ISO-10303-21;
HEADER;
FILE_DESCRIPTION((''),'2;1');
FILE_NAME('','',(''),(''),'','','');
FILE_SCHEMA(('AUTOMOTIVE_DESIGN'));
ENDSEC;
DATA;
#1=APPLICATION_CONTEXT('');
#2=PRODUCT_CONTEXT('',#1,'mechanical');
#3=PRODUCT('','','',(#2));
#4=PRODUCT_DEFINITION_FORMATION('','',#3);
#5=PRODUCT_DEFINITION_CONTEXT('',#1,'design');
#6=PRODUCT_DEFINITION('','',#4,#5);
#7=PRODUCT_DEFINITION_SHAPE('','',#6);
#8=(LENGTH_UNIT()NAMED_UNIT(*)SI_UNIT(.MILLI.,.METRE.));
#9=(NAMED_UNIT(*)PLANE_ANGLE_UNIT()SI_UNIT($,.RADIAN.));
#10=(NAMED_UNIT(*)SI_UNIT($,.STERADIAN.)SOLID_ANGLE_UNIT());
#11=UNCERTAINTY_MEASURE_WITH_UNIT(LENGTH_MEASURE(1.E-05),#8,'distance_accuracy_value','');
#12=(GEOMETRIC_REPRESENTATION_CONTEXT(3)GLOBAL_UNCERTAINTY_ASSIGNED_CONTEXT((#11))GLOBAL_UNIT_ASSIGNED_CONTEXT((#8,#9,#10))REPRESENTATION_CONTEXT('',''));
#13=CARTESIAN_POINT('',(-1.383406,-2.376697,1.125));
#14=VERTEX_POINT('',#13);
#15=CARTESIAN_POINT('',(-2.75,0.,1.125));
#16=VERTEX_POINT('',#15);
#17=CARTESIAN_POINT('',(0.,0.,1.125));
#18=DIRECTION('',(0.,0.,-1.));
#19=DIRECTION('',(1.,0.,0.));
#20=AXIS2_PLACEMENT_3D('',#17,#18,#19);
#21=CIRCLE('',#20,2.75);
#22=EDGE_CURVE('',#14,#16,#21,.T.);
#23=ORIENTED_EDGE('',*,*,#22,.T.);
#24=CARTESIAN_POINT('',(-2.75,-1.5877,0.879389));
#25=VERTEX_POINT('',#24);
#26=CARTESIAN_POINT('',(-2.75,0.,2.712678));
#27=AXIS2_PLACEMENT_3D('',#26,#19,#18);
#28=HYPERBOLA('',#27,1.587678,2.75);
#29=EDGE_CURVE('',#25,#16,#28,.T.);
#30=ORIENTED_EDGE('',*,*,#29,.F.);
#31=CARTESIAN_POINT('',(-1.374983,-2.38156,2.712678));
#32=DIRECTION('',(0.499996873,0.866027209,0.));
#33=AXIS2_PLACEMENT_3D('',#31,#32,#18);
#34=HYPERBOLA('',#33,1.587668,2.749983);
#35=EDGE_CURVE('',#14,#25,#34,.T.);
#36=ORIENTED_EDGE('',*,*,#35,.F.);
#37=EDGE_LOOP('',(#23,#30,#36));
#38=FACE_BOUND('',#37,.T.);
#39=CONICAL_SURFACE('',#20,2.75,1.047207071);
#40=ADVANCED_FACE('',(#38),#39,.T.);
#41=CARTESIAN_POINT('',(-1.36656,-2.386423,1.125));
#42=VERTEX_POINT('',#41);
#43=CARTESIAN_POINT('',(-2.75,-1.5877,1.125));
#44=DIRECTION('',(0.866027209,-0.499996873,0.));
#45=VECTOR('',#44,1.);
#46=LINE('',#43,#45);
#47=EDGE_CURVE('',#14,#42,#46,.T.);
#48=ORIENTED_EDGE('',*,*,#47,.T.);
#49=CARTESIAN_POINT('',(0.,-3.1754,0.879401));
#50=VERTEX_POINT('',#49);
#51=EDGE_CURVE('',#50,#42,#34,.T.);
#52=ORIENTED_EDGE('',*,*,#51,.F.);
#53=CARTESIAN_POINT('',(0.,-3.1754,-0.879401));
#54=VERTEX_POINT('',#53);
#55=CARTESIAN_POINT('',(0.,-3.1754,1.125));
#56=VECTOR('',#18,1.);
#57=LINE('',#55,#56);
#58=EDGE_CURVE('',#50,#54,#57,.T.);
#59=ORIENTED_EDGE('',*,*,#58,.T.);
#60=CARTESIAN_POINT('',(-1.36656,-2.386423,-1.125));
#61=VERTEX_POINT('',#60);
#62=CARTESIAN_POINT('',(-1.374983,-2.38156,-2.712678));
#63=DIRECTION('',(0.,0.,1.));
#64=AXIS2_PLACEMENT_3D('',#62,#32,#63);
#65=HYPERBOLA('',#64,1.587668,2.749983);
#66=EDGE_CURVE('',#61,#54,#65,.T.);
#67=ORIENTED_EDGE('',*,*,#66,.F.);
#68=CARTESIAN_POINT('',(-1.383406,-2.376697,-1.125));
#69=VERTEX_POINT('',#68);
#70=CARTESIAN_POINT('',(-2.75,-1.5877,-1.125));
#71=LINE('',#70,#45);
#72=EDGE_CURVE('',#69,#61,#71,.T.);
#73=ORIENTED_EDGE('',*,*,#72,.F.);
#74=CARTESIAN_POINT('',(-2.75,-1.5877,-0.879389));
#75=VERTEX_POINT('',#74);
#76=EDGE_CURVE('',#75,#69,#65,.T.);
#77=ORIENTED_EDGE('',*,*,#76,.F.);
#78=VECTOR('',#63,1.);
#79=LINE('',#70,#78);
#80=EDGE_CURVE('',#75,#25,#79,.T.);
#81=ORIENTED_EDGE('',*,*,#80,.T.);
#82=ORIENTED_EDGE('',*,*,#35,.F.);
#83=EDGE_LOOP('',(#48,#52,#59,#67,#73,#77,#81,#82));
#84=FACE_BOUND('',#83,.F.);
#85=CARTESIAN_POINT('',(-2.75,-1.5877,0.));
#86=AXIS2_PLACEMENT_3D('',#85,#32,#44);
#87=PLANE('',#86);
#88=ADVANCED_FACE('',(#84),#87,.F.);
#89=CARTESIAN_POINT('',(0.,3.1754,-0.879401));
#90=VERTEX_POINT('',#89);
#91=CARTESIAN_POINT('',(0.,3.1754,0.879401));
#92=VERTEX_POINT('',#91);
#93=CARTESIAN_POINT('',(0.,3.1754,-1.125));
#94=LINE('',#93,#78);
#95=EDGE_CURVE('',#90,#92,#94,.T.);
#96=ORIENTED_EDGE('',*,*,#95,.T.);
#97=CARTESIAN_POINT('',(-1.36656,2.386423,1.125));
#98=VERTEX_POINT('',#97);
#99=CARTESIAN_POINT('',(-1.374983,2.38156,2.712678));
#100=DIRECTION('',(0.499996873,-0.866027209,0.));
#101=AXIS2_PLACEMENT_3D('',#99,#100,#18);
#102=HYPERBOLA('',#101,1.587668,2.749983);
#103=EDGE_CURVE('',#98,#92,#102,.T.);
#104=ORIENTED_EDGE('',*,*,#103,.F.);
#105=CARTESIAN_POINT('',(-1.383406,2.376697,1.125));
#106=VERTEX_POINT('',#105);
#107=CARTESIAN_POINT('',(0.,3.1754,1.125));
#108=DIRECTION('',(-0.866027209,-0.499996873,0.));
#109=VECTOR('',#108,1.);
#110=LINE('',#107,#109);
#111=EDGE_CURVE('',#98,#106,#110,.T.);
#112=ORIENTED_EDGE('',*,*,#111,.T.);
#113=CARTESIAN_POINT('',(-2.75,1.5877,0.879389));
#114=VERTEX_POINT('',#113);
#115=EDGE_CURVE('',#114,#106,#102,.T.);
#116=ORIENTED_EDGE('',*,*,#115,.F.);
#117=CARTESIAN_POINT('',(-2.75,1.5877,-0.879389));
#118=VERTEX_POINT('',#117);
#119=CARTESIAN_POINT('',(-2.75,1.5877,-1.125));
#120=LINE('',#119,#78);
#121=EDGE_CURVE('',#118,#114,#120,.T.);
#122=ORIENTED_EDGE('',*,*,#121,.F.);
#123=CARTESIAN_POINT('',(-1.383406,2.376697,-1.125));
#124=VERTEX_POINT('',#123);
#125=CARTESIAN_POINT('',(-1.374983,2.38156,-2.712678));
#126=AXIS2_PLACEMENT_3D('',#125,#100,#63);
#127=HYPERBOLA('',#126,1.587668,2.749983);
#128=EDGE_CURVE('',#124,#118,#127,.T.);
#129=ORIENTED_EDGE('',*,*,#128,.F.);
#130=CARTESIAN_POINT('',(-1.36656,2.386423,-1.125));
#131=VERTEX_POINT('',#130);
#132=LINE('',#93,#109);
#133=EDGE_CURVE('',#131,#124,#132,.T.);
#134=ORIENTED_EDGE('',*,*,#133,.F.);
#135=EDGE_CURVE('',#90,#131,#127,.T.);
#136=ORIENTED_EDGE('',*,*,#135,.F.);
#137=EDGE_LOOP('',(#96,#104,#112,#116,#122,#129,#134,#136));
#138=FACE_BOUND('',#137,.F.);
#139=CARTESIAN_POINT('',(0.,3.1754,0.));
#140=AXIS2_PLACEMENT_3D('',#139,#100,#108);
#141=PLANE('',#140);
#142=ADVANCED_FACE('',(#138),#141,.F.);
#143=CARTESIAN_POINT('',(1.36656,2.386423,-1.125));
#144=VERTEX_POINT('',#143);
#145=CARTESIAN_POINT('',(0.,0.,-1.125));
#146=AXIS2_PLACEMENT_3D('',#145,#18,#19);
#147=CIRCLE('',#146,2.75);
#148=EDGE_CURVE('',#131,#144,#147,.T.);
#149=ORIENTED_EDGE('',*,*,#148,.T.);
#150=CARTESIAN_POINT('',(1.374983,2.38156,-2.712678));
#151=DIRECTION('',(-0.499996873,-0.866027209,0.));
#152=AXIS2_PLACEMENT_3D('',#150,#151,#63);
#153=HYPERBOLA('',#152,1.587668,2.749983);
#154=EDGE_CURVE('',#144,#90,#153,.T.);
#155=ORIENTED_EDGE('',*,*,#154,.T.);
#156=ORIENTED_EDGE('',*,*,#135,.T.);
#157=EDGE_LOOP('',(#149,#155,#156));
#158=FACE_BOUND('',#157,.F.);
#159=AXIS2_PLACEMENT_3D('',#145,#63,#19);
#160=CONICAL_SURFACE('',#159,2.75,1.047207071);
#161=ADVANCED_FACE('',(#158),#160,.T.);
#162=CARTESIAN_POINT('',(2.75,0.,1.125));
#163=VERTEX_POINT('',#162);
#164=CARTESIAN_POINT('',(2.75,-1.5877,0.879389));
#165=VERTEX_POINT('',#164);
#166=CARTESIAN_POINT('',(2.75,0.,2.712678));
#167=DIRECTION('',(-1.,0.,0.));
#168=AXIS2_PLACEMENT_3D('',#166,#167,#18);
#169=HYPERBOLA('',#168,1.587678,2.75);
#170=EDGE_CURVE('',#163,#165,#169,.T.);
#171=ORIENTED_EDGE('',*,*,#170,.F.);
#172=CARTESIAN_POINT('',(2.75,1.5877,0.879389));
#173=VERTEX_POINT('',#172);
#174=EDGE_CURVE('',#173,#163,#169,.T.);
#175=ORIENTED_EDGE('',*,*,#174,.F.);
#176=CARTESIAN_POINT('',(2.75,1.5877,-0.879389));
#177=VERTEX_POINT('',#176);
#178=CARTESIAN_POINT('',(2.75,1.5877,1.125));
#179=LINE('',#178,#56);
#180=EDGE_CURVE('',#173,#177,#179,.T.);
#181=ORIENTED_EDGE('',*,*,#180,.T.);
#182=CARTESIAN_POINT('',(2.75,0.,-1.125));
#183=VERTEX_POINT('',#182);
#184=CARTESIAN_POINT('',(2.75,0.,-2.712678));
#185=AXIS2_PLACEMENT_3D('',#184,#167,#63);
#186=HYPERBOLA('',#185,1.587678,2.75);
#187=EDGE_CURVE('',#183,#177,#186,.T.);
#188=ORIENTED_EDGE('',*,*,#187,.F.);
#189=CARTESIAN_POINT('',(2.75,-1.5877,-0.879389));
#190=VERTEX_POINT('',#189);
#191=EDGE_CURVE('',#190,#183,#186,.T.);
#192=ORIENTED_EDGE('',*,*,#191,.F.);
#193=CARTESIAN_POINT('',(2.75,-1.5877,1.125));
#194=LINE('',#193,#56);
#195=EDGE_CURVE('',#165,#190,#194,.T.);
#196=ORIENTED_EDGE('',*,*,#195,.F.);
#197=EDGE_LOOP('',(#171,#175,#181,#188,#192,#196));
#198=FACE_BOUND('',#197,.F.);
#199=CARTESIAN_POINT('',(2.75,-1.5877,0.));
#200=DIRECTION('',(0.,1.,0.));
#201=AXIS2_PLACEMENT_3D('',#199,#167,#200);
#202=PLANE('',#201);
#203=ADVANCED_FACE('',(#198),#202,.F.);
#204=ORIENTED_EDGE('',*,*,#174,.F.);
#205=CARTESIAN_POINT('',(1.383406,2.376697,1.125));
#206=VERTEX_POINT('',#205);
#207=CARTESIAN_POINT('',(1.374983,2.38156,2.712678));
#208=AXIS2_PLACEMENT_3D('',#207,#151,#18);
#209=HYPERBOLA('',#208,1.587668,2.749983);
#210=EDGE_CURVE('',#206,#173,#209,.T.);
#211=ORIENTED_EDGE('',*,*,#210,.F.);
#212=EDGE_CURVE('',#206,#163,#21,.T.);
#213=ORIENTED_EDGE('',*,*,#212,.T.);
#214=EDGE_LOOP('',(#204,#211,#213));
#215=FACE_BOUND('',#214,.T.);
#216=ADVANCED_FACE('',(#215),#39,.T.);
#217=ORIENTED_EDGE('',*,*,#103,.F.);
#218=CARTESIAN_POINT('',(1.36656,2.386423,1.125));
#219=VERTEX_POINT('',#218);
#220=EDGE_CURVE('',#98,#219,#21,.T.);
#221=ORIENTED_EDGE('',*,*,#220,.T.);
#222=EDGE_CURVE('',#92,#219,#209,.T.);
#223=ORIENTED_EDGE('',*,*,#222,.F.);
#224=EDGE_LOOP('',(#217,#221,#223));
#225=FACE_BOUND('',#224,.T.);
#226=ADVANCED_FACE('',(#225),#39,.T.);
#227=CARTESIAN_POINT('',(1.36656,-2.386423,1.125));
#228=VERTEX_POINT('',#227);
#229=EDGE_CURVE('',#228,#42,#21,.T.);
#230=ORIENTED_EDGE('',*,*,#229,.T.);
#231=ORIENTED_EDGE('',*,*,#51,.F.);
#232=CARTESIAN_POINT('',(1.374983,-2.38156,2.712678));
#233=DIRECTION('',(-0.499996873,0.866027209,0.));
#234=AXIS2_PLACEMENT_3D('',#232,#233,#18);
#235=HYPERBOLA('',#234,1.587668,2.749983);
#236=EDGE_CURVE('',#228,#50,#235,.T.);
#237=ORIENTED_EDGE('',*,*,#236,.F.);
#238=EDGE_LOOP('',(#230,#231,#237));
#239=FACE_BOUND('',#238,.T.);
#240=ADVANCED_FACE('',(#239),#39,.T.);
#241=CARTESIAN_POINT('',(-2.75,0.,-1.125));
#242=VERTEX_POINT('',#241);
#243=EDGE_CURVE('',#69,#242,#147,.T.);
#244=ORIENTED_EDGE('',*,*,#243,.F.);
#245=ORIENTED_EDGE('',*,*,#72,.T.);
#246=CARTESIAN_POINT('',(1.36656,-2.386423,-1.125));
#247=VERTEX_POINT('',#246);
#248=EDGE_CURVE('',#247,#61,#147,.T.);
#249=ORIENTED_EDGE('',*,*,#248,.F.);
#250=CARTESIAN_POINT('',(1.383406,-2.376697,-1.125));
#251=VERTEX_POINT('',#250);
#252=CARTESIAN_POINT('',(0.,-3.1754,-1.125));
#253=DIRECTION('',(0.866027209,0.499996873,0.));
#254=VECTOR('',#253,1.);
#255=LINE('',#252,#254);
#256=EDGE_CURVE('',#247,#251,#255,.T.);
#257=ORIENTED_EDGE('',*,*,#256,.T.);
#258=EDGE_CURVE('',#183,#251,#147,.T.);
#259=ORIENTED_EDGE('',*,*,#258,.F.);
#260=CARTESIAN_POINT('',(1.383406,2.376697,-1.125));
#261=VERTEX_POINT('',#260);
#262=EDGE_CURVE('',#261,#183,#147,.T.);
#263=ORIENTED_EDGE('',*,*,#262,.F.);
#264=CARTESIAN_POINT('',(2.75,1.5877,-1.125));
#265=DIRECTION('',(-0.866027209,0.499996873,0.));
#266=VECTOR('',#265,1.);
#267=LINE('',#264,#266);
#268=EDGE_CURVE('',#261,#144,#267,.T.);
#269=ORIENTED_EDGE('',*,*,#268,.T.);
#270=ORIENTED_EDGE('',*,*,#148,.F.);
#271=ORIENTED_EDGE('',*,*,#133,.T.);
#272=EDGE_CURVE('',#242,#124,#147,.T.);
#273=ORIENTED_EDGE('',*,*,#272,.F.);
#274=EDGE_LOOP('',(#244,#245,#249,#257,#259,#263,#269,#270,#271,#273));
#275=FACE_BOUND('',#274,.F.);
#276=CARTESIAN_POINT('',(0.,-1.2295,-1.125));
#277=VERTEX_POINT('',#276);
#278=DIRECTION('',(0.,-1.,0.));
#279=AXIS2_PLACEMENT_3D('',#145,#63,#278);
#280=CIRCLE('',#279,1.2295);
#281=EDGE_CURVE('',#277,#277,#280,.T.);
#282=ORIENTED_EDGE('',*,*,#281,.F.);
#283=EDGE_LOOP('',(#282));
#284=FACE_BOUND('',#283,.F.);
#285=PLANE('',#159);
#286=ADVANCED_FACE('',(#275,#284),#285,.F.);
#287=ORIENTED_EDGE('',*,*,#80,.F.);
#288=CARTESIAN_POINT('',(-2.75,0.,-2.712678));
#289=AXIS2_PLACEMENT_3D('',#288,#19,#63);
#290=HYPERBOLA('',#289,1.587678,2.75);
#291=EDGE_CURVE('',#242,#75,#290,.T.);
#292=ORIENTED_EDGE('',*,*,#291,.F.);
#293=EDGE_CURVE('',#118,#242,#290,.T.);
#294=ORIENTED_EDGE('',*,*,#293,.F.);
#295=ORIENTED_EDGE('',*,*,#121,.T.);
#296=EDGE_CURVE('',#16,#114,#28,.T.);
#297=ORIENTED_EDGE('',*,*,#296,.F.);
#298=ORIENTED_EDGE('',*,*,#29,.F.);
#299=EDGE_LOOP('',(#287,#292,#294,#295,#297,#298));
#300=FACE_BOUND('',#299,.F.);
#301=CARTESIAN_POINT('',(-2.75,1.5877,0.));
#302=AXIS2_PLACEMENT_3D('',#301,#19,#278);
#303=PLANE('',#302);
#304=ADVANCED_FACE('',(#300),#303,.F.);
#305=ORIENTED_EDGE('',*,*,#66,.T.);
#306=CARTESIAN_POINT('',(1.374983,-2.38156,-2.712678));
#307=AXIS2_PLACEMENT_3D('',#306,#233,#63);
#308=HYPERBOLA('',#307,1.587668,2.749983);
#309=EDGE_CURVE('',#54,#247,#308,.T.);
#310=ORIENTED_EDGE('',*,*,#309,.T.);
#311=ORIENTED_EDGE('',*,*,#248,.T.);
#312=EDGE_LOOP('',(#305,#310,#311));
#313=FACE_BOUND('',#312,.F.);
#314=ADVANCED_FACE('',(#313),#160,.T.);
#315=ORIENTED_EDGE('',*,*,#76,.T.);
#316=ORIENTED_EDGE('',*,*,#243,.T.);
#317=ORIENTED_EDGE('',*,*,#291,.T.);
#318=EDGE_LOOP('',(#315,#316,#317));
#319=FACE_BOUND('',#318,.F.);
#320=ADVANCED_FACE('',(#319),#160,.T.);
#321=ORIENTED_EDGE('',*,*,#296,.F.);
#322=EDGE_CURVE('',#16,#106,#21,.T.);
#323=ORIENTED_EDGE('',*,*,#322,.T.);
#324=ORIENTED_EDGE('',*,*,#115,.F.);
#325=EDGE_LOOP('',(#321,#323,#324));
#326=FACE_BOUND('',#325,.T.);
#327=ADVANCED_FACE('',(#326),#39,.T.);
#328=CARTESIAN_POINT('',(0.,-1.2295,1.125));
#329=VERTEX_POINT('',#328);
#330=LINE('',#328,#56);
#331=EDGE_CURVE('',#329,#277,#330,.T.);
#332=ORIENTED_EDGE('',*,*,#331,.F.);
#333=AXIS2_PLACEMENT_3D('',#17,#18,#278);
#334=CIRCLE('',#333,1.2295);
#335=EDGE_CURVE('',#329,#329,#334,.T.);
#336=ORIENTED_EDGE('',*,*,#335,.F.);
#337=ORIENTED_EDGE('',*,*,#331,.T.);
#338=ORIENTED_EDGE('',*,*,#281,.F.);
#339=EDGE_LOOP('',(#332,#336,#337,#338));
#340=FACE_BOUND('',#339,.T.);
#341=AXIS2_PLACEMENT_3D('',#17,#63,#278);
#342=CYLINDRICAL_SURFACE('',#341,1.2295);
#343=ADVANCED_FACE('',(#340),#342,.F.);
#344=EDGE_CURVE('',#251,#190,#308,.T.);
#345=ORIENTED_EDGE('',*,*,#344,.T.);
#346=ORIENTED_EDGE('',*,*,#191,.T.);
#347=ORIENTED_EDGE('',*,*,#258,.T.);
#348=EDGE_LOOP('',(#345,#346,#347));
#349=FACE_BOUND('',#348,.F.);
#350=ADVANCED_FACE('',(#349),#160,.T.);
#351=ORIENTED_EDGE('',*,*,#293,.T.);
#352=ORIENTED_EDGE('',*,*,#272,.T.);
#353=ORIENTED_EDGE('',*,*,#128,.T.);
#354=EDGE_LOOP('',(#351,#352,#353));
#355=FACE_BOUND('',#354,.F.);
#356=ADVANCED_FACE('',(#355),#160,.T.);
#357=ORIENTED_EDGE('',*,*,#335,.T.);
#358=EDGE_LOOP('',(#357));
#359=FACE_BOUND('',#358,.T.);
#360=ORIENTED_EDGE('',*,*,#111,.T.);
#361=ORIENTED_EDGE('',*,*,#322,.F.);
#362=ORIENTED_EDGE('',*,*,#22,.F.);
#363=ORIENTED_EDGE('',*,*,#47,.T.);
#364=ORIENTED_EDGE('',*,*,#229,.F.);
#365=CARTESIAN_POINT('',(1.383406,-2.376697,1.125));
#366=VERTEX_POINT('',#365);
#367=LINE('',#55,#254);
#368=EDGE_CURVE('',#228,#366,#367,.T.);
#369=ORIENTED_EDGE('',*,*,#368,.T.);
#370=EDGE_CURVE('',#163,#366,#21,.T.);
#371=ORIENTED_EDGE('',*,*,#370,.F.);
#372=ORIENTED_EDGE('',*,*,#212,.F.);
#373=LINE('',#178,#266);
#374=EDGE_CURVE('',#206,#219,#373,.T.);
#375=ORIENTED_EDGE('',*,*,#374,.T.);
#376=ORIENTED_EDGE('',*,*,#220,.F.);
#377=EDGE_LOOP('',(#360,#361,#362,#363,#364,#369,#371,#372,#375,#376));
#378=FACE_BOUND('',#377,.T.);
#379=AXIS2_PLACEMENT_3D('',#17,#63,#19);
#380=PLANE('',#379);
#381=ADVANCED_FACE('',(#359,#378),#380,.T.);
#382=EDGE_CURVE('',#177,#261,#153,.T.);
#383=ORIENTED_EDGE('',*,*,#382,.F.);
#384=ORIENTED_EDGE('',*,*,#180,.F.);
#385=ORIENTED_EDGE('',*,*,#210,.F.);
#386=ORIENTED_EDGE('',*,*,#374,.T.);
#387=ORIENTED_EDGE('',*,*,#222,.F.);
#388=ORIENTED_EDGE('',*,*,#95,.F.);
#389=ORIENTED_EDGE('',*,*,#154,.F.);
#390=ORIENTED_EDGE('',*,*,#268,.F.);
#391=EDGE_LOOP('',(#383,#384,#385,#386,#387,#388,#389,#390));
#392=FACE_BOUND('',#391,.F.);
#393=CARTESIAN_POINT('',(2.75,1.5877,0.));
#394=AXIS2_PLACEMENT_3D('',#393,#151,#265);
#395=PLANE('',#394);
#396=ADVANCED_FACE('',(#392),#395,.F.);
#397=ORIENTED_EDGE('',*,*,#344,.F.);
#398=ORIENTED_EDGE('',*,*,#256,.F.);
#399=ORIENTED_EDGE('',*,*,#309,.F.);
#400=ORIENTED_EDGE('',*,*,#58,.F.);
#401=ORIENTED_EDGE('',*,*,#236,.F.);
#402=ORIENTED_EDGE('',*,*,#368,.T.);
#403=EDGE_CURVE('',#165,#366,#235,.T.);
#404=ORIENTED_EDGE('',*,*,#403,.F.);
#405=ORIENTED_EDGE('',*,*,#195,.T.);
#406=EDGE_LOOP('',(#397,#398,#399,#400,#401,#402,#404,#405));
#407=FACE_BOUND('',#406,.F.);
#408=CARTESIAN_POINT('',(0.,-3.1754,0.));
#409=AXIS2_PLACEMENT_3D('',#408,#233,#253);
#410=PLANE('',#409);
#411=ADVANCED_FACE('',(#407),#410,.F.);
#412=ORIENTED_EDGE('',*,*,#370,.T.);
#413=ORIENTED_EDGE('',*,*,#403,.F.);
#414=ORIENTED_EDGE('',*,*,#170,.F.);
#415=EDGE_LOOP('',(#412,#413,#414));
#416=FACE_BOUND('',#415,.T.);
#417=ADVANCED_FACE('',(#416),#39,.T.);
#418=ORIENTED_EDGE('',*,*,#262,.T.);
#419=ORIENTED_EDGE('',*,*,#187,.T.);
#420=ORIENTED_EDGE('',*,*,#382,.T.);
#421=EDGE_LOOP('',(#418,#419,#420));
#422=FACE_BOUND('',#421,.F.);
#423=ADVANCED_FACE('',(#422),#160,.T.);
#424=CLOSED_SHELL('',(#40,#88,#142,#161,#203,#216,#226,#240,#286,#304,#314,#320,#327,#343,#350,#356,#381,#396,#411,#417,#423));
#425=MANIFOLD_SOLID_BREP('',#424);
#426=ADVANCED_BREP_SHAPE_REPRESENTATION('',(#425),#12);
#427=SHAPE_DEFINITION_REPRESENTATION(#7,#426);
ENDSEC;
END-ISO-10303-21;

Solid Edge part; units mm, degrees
sketch "Sketch1" plane through (0, 0, 0) normal (0, 0, 1) x (1, 0, 0)
  line L0 (2.75, 1.5877) -> (0, 3.1754)
  line L1 (0, 3.1754) -> (-2.75, 1.5877)
  line L2 (-2.75, 1.5877) -> (-2.75, -1.5877)
  line L3 (-2.75, -1.5877) -> (0, -3.1754)
  line L4 (0, -3.1754) -> (2.75, -1.5877)
  line L5 (2.75, -1.5877) -> (2.75, 1.5877)
  dimension "D1" = 5.5
extrude "Protrusion1" add sketch "Sketch1" along normal mid plane 2.25
hole "Agujero_1" at (0, 0, 1.125) direction (0, 0, -1) diameter 2.459 end up to next
sketch "Sketch2" plane through (0, 0, 0) normal (0, -1, 0) x (1, 0, 0)
  line L0 (2.75, 1.125) -> (4.6986, 0)
revolve "RevolvedCutout1" cut sketch "Sketch2" angle 360 about axis through (0, 0, 54) along (0, 0, -1) material side at (3.7493, 0, 0.6058)
mirror "Mirror1" about plane through (0, 0, 0) normal (0, 0, 1) of "RevolvedCutout1"
